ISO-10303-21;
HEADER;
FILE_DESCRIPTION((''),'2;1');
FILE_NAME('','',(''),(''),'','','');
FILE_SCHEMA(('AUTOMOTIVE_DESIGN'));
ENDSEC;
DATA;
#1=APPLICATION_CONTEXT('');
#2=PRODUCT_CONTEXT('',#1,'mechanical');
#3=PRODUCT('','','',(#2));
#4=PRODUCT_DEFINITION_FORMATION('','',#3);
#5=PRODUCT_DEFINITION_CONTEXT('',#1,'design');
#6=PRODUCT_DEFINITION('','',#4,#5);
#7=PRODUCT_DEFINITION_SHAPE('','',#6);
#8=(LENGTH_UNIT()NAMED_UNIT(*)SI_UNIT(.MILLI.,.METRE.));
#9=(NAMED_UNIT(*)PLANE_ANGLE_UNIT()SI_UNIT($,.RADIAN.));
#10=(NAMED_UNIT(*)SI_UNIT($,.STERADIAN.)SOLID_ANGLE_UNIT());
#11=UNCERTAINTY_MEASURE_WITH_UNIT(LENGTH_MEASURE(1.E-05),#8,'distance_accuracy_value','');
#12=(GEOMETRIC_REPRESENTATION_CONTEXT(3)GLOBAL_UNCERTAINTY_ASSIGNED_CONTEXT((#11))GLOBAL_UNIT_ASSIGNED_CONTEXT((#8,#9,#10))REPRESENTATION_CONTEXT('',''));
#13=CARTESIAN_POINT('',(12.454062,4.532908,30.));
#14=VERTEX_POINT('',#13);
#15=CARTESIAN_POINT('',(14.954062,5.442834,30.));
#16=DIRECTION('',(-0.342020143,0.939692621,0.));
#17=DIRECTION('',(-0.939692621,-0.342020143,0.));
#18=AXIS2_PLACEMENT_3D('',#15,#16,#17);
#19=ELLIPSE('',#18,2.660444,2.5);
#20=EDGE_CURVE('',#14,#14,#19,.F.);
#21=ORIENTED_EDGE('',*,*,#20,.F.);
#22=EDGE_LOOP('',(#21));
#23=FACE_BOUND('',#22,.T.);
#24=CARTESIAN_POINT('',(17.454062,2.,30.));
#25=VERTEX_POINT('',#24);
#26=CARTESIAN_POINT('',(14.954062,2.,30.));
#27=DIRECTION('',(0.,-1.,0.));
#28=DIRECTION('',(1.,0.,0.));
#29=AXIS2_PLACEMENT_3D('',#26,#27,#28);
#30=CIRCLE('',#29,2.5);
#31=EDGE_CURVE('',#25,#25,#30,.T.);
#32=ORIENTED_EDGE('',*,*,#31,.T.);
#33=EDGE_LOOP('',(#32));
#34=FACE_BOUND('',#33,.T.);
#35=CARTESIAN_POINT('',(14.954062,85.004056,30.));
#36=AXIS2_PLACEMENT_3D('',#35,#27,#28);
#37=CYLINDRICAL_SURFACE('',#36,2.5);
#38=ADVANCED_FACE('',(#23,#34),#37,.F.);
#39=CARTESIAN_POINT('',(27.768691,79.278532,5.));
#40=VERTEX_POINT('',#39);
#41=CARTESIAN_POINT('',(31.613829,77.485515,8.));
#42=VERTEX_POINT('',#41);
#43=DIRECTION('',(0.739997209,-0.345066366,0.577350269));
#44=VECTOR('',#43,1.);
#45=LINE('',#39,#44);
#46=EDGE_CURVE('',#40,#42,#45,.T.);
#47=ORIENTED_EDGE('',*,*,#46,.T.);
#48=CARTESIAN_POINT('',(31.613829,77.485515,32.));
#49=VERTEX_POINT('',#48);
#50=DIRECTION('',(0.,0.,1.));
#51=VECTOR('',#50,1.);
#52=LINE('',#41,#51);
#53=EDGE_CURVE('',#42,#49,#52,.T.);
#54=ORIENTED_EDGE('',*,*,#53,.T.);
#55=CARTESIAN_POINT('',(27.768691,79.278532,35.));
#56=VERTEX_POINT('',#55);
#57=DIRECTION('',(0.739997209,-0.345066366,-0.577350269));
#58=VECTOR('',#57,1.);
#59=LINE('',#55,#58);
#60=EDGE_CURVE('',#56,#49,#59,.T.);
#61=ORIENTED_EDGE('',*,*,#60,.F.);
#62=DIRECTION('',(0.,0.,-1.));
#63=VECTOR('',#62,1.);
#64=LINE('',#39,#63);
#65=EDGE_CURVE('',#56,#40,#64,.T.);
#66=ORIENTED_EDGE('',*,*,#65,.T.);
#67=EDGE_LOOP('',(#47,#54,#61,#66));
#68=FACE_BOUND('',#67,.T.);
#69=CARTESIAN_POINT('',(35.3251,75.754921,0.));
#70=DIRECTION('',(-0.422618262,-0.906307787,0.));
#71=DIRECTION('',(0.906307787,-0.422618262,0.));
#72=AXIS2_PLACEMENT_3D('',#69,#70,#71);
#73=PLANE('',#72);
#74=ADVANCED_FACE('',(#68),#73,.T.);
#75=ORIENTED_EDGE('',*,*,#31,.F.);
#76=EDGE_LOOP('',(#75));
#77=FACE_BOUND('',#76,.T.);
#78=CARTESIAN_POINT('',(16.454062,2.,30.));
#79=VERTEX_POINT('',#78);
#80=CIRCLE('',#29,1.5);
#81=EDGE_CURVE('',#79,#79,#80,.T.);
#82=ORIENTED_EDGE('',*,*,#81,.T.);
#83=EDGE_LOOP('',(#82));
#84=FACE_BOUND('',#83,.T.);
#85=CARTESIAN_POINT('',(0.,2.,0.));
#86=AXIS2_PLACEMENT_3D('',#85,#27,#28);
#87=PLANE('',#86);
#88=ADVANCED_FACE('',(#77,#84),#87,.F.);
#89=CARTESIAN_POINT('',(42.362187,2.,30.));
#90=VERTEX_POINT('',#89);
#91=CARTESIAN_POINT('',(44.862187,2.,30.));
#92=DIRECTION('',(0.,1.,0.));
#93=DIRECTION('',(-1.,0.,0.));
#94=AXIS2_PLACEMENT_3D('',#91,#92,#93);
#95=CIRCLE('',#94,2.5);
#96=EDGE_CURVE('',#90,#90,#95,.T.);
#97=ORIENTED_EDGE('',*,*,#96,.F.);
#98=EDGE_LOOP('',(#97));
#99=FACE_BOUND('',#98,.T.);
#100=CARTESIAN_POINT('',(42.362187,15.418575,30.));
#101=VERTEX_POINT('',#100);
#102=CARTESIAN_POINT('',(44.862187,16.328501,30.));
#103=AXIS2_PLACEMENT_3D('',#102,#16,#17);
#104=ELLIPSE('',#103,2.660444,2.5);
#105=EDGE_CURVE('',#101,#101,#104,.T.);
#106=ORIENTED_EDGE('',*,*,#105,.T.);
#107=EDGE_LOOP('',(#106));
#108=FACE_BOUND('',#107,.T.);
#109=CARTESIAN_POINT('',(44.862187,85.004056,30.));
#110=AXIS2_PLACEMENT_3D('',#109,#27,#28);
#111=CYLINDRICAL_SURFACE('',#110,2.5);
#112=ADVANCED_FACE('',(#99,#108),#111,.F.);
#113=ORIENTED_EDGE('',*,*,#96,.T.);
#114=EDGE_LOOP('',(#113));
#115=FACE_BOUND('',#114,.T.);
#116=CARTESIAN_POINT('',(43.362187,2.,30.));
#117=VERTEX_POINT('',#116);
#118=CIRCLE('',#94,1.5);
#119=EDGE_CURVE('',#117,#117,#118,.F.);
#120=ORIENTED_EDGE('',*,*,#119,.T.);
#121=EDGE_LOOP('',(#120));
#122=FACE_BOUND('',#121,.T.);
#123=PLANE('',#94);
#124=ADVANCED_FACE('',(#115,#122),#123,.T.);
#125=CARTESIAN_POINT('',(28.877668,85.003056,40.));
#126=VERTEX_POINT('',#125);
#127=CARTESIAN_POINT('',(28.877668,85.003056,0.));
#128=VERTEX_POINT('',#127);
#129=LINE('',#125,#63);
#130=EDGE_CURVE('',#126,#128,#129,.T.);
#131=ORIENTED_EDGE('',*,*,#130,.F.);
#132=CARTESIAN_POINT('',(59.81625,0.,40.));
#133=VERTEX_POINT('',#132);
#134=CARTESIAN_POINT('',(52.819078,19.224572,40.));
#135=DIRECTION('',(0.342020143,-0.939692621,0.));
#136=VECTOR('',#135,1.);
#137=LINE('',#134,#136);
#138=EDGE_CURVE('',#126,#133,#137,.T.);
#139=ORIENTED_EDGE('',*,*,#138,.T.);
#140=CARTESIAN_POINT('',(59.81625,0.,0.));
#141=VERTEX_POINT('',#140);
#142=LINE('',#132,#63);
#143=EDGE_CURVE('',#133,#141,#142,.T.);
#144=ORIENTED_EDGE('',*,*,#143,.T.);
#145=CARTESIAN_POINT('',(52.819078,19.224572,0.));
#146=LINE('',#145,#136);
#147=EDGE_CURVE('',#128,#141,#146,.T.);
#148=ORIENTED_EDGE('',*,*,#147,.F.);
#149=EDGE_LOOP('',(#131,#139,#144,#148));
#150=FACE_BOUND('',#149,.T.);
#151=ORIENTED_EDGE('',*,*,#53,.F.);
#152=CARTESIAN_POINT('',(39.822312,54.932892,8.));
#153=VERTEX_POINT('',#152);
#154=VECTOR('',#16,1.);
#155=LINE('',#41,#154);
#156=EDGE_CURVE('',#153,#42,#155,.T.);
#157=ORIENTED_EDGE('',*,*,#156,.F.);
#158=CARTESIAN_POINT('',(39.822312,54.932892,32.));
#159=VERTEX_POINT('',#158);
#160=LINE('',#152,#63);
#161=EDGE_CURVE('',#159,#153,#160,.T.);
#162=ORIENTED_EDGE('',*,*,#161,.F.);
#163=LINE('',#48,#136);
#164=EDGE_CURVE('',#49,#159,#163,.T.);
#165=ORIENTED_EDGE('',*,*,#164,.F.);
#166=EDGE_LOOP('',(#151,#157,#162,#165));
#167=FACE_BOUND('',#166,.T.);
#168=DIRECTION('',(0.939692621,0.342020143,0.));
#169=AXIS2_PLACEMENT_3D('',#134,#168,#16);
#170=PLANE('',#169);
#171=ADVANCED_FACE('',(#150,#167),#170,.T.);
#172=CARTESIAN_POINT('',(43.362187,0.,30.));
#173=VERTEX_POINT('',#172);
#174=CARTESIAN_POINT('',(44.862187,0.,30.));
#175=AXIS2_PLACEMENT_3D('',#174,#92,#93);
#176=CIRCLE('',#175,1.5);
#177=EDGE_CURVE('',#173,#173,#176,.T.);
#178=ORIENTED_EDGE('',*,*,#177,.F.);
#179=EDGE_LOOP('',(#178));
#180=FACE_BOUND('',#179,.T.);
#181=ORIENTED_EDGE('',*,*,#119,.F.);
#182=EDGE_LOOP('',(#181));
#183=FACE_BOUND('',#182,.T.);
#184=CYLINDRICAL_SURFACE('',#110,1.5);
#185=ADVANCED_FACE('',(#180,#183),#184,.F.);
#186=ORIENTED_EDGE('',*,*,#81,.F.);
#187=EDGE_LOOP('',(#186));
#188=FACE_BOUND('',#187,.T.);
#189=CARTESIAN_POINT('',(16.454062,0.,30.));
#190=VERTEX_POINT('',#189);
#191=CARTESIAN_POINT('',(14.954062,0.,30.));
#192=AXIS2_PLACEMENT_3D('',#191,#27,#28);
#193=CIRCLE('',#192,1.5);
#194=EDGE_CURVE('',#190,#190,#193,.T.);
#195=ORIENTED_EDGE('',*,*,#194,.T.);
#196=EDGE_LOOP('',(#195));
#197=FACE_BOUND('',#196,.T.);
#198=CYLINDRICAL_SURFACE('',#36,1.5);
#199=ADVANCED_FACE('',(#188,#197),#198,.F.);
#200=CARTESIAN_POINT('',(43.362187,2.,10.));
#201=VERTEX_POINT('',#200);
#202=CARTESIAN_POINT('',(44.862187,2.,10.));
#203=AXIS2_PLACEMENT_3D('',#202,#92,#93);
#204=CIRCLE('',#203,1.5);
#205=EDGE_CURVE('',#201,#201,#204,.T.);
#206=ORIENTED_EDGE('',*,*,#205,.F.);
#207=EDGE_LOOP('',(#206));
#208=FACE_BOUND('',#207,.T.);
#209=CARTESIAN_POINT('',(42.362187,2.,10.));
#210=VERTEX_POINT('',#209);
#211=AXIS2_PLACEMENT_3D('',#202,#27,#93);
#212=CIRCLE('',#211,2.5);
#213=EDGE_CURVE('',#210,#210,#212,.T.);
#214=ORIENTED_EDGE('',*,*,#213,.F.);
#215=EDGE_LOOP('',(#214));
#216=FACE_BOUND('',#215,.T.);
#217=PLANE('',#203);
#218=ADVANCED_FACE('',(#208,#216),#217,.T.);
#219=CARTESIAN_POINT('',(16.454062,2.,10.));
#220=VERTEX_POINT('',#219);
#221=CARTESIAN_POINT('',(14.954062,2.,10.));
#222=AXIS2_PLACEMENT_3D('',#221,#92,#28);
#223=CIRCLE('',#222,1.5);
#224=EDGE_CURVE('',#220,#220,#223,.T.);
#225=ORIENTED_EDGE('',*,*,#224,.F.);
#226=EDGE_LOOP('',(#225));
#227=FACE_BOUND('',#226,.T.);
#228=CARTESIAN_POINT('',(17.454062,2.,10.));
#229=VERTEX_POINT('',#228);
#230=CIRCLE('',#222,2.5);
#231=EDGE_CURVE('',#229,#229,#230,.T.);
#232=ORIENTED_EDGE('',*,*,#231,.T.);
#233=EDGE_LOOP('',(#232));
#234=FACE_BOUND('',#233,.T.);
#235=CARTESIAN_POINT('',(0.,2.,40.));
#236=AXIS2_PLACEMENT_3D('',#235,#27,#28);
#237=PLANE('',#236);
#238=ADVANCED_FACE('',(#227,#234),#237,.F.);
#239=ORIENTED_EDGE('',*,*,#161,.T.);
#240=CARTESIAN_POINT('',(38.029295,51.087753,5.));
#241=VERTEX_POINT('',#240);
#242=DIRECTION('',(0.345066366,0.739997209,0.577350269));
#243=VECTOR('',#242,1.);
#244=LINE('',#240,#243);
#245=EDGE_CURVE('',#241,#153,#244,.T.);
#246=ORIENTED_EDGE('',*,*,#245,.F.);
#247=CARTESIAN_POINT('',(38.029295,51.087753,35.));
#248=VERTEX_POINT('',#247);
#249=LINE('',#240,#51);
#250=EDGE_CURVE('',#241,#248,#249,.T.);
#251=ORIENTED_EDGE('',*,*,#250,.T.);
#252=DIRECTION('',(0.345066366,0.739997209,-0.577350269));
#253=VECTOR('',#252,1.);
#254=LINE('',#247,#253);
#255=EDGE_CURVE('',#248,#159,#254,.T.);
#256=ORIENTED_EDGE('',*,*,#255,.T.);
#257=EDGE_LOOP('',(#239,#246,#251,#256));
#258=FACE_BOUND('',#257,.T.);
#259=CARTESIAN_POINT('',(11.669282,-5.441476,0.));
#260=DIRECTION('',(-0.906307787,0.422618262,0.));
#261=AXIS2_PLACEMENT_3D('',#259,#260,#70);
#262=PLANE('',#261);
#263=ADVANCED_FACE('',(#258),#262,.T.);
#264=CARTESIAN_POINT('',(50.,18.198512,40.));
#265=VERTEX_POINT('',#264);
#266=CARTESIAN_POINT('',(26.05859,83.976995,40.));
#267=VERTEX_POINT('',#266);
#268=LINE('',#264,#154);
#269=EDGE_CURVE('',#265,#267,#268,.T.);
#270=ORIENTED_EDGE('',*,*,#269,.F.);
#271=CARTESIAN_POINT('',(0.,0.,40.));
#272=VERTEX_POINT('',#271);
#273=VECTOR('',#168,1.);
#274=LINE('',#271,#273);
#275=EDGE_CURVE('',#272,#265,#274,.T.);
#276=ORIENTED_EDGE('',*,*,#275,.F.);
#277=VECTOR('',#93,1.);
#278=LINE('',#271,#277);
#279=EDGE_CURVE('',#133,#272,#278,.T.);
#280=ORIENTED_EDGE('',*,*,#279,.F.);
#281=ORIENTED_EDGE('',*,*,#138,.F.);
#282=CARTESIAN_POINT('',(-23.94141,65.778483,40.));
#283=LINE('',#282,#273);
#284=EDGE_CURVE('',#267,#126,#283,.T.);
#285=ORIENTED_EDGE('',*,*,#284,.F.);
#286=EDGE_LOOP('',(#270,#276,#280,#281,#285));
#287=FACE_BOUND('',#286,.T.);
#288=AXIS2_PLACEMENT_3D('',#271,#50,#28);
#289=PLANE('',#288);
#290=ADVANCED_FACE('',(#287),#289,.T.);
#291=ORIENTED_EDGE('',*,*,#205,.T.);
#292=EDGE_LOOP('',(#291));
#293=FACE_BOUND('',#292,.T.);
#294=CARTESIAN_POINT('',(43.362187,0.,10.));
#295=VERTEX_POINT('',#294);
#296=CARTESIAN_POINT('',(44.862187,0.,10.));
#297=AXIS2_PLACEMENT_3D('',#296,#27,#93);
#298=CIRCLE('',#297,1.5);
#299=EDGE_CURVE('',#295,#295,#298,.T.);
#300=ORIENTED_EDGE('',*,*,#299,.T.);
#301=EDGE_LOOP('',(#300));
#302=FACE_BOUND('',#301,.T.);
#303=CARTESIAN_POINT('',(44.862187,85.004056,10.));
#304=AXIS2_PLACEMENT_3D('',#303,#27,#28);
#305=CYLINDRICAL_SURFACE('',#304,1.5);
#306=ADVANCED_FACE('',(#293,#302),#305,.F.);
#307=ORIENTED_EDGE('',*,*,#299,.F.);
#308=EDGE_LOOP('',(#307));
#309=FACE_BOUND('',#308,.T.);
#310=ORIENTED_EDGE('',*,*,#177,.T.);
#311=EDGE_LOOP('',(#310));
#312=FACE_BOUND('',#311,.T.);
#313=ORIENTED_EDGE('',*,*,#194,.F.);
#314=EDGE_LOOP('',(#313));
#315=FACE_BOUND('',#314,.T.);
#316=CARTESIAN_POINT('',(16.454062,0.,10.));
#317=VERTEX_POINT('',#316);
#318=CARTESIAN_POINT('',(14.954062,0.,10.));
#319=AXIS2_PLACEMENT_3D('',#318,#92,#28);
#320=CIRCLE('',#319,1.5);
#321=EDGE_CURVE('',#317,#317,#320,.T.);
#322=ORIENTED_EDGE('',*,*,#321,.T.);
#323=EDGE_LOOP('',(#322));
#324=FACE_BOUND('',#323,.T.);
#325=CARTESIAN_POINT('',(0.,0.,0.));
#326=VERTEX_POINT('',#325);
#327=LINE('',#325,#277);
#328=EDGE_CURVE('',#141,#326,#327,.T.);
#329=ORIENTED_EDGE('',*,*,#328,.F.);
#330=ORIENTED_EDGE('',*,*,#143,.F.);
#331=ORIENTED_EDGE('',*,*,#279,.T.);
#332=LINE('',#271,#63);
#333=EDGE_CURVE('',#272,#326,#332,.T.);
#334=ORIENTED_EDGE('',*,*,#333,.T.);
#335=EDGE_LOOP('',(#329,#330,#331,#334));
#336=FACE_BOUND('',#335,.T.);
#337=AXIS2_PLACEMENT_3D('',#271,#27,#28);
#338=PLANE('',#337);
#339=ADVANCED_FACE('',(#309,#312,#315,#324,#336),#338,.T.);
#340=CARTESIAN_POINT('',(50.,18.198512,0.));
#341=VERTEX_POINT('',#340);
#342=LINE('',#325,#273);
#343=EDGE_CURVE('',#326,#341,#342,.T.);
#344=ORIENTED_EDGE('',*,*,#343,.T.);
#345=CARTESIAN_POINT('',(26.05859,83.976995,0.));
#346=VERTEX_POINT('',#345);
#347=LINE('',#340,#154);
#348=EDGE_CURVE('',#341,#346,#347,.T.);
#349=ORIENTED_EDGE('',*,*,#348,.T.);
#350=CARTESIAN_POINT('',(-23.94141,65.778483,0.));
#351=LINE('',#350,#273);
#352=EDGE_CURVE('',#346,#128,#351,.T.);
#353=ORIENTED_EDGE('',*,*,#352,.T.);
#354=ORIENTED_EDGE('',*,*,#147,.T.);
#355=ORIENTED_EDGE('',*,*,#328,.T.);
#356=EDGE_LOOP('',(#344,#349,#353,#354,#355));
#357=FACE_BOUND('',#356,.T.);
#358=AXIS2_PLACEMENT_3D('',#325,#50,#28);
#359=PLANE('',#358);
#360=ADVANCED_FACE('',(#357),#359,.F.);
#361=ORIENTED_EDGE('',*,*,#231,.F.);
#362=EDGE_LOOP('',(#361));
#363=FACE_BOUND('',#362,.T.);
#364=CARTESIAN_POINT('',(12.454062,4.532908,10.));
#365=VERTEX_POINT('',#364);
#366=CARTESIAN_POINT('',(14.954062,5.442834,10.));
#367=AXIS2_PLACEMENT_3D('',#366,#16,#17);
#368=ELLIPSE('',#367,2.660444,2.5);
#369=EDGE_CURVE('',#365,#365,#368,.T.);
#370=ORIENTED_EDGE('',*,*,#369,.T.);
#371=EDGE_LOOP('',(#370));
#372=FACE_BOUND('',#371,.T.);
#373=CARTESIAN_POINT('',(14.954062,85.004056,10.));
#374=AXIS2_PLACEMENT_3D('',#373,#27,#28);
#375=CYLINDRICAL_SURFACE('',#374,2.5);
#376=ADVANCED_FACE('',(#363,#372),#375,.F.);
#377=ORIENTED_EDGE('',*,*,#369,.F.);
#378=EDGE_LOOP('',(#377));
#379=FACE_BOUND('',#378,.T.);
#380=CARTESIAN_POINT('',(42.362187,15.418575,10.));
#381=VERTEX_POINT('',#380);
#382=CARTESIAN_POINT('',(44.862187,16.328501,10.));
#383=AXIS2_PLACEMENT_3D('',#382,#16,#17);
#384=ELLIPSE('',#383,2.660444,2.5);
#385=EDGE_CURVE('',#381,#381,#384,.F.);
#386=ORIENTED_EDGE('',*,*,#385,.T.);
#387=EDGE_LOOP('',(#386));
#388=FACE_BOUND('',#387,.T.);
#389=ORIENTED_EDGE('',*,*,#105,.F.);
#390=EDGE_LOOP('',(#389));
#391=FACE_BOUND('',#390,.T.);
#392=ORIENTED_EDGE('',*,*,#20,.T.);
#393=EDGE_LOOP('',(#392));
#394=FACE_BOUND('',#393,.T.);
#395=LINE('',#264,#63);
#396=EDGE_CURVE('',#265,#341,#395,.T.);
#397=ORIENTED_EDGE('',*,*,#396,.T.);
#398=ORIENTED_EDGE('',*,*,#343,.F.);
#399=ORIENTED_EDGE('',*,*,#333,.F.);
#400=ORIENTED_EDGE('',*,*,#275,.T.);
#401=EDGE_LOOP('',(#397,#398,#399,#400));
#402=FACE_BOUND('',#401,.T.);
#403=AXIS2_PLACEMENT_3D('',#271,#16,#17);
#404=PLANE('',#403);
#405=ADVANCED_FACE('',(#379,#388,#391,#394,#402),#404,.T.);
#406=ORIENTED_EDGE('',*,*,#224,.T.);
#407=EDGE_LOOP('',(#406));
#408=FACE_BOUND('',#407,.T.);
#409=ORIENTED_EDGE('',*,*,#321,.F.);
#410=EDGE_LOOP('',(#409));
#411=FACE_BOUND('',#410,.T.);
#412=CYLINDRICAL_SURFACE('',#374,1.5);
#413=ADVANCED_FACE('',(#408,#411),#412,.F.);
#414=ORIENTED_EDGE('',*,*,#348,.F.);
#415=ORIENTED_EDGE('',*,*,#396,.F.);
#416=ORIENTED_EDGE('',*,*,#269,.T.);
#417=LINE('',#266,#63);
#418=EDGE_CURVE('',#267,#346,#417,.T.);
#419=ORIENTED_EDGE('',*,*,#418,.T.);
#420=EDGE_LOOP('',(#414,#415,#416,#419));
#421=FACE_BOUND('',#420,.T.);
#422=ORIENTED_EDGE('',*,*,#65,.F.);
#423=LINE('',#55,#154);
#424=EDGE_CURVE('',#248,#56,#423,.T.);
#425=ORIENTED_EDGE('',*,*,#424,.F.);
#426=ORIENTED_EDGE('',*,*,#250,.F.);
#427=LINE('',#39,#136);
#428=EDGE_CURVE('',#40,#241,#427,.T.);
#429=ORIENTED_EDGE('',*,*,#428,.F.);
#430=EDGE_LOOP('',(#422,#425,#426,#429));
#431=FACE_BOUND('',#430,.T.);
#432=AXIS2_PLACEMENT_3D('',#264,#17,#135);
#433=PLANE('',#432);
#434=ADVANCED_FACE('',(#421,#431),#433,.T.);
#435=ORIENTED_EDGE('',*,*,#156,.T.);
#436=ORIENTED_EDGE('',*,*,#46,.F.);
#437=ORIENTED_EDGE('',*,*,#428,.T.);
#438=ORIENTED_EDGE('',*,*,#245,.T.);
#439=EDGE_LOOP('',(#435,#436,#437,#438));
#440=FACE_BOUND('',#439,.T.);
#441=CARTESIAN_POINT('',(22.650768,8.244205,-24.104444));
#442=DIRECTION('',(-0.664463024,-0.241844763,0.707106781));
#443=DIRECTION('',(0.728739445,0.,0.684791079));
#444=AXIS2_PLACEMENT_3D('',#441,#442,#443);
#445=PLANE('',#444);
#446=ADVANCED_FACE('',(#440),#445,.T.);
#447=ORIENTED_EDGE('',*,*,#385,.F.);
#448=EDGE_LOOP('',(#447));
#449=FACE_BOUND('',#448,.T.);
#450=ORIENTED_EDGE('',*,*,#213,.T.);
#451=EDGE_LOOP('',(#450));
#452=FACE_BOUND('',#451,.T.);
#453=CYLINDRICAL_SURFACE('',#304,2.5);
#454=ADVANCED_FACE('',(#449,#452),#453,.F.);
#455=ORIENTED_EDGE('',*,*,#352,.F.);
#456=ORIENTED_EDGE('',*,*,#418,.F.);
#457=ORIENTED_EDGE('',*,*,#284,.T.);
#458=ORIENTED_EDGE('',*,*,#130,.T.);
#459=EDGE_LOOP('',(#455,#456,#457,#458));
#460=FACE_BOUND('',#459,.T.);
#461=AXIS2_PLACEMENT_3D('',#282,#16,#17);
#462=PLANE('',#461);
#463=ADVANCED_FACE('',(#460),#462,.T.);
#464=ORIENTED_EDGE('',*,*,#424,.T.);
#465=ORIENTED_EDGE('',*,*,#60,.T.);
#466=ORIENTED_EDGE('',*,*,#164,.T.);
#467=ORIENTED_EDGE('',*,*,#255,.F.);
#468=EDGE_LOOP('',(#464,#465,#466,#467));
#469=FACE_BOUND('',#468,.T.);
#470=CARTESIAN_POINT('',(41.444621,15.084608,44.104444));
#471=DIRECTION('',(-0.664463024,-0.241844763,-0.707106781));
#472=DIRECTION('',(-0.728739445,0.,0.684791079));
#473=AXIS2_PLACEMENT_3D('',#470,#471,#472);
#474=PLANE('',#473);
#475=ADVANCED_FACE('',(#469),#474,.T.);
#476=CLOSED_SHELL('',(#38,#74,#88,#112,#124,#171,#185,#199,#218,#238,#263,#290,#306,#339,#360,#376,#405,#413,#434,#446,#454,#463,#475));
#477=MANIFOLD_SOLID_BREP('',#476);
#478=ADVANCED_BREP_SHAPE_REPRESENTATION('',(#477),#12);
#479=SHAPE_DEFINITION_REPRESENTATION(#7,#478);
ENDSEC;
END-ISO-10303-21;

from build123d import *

# Parameters (mm, degrees)
BOSS_EXTRUDE1_DEPTH = 40
CUT_EXTRUDE1_REACH  = 113.371
SKETCH2_R           = 1.5
CUT_EXTRUDE3_REACH  = 115.371
CUT_EXTRUDE3_START  = -2
SKETCH2_4_R         = 2.5
SKETCH2_4_R_2       = 1.5


with BuildPart() as part:
    # Sketch1 → Boss-Extrude1 (new body)
    with BuildSketch(Plane.XY):
        Polygon((50, 18.198511713), (0, 0), (59.816249889, 0), (28.87766783, 85.003055598), (26.058589967, 83.976995168), align=None)
    extrude(amount=BOSS_EXTRUDE1_DEPTH)

    # Sketch2 → Cut-Extrude1 (cut, up to next)
    with BuildSketch(Plane.XZ, mode=Mode.PRIVATE) as cut_extrude1_sk1:
        with Locations((14.954062472, 30)):
            Circle(SKETCH2_R)
    cut_extrude1_tool1 = extrude(cut_extrude1_sk1.sketch, amount=-CUT_EXTRUDE1_REACH, mode=Mode.PRIVATE) & part.part
    # Sketch2 → Cut-Extrude1 (cut, up to next)
    with BuildSketch(Plane.XZ, mode=Mode.PRIVATE) as cut_extrude1_sk2:
        with Locations((44.862187417, 30)):
            Circle(SKETCH2_R)
    cut_extrude1_tool2 = extrude(cut_extrude1_sk2.sketch, amount=-CUT_EXTRUDE1_REACH, mode=Mode.PRIVATE) & part.part
    cut_extrude1_1 = cut_extrude1_tool1.solids().sort_by_distance((14.954062, 0, 30))[0]
    add(cut_extrude1_1, mode=Mode.SUBTRACT)
    cut_extrude1_2 = cut_extrude1_tool2.solids().sort_by_distance((44.862187, 0, 30))[0]
    add(cut_extrude1_2, mode=Mode.SUBTRACT)
    cut_extrude1 = cut_extrude1_1 + cut_extrude1_2  # Cut-Extrude1 as one shape, for the pattern or mirror that repeats it

    # Sketch2<4> → Cut-Extrude3 (cut, up to next)
    with BuildSketch(Plane.XZ.offset(CUT_EXTRUDE3_START), mode=Mode.PRIVATE) as cut_extrude3_sk1:
        with Locations((14.954062472, 30)):
            Circle(SKETCH2_4_R)
        with Locations((14.954062472, 30)):
            Circle(SKETCH2_4_R_2, mode=Mode.SUBTRACT)
    cut_extrude3_tool1 = extrude(cut_extrude3_sk1.sketch, amount=-CUT_EXTRUDE3_REACH, mode=Mode.PRIVATE) & part.part
    # Sketch2<4> → Cut-Extrude3 (cut, up to next)
    with BuildSketch(Plane.XZ.offset(CUT_EXTRUDE3_START), mode=Mode.PRIVATE) as cut_extrude3_sk2:
        with Locations((44.862187417, 30)):
            Circle(SKETCH2_4_R)
    cut_extrude3_tool2 = extrude(cut_extrude3_sk2.sketch, amount=-CUT_EXTRUDE3_REACH, mode=Mode.PRIVATE) & part.part
    cut_extrude3_1 = cut_extrude3_tool1.solids().sort_by_distance((12.524773, 2, 30))[0]
    add(cut_extrude3_1, mode=Mode.SUBTRACT)
    cut_extrude3_2 = cut_extrude3_tool2.solids().sort_by_distance((44.862187, 2, 30))[0]
    add(cut_extrude3_2, mode=Mode.SUBTRACT)
    cut_extrude3 = cut_extrude3_1 + cut_extrude3_2  # Cut-Extrude3 as one shape, for the pattern or mirror that repeats it

    # Mirror1: Cut-Extrude1, Cut-Extrude3 across plane
    add(cut_extrude1.mirror(Plane.XY.offset(20)), mode=Mode.SUBTRACT)
    add(cut_extrude3.mirror(Plane.XY.offset(20)), mode=Mode.SUBTRACT)

    # Sketch3 → Cut-Loft1 section 0
    with BuildSketch(Plane(origin=(50, 18.198511713, 0), x_dir=(0, 0, 1), z_dir=(-0.9396926207859103, -0.3420201433256634, 0))):
        with BuildLine():
            Line((5, 65), (35, 65))
            Line((35, 65), (35, 35))
            Line((35, 35), (5, 35))
            Line((5, 35), (5, 65))
        make_face()
    # Sketch4 → Cut-Loft1 section 1
    with BuildSketch(Plane(origin=(52.819077862, 19.224572143, 0), x_dir=(0, 0, -1), z_dir=(0.9396926207859103, 0.3420201433256634, 0))):
        with BuildLine():
            Line((-8, 62), (-32, 62))
            Line((-32, 62), (-32, 38))
            Line((-32, 38), (-8, 38))
            Line((-8, 38), (-8, 62))
        make_face()
    loft(mode=Mode.SUBTRACT)


solid = part.part
